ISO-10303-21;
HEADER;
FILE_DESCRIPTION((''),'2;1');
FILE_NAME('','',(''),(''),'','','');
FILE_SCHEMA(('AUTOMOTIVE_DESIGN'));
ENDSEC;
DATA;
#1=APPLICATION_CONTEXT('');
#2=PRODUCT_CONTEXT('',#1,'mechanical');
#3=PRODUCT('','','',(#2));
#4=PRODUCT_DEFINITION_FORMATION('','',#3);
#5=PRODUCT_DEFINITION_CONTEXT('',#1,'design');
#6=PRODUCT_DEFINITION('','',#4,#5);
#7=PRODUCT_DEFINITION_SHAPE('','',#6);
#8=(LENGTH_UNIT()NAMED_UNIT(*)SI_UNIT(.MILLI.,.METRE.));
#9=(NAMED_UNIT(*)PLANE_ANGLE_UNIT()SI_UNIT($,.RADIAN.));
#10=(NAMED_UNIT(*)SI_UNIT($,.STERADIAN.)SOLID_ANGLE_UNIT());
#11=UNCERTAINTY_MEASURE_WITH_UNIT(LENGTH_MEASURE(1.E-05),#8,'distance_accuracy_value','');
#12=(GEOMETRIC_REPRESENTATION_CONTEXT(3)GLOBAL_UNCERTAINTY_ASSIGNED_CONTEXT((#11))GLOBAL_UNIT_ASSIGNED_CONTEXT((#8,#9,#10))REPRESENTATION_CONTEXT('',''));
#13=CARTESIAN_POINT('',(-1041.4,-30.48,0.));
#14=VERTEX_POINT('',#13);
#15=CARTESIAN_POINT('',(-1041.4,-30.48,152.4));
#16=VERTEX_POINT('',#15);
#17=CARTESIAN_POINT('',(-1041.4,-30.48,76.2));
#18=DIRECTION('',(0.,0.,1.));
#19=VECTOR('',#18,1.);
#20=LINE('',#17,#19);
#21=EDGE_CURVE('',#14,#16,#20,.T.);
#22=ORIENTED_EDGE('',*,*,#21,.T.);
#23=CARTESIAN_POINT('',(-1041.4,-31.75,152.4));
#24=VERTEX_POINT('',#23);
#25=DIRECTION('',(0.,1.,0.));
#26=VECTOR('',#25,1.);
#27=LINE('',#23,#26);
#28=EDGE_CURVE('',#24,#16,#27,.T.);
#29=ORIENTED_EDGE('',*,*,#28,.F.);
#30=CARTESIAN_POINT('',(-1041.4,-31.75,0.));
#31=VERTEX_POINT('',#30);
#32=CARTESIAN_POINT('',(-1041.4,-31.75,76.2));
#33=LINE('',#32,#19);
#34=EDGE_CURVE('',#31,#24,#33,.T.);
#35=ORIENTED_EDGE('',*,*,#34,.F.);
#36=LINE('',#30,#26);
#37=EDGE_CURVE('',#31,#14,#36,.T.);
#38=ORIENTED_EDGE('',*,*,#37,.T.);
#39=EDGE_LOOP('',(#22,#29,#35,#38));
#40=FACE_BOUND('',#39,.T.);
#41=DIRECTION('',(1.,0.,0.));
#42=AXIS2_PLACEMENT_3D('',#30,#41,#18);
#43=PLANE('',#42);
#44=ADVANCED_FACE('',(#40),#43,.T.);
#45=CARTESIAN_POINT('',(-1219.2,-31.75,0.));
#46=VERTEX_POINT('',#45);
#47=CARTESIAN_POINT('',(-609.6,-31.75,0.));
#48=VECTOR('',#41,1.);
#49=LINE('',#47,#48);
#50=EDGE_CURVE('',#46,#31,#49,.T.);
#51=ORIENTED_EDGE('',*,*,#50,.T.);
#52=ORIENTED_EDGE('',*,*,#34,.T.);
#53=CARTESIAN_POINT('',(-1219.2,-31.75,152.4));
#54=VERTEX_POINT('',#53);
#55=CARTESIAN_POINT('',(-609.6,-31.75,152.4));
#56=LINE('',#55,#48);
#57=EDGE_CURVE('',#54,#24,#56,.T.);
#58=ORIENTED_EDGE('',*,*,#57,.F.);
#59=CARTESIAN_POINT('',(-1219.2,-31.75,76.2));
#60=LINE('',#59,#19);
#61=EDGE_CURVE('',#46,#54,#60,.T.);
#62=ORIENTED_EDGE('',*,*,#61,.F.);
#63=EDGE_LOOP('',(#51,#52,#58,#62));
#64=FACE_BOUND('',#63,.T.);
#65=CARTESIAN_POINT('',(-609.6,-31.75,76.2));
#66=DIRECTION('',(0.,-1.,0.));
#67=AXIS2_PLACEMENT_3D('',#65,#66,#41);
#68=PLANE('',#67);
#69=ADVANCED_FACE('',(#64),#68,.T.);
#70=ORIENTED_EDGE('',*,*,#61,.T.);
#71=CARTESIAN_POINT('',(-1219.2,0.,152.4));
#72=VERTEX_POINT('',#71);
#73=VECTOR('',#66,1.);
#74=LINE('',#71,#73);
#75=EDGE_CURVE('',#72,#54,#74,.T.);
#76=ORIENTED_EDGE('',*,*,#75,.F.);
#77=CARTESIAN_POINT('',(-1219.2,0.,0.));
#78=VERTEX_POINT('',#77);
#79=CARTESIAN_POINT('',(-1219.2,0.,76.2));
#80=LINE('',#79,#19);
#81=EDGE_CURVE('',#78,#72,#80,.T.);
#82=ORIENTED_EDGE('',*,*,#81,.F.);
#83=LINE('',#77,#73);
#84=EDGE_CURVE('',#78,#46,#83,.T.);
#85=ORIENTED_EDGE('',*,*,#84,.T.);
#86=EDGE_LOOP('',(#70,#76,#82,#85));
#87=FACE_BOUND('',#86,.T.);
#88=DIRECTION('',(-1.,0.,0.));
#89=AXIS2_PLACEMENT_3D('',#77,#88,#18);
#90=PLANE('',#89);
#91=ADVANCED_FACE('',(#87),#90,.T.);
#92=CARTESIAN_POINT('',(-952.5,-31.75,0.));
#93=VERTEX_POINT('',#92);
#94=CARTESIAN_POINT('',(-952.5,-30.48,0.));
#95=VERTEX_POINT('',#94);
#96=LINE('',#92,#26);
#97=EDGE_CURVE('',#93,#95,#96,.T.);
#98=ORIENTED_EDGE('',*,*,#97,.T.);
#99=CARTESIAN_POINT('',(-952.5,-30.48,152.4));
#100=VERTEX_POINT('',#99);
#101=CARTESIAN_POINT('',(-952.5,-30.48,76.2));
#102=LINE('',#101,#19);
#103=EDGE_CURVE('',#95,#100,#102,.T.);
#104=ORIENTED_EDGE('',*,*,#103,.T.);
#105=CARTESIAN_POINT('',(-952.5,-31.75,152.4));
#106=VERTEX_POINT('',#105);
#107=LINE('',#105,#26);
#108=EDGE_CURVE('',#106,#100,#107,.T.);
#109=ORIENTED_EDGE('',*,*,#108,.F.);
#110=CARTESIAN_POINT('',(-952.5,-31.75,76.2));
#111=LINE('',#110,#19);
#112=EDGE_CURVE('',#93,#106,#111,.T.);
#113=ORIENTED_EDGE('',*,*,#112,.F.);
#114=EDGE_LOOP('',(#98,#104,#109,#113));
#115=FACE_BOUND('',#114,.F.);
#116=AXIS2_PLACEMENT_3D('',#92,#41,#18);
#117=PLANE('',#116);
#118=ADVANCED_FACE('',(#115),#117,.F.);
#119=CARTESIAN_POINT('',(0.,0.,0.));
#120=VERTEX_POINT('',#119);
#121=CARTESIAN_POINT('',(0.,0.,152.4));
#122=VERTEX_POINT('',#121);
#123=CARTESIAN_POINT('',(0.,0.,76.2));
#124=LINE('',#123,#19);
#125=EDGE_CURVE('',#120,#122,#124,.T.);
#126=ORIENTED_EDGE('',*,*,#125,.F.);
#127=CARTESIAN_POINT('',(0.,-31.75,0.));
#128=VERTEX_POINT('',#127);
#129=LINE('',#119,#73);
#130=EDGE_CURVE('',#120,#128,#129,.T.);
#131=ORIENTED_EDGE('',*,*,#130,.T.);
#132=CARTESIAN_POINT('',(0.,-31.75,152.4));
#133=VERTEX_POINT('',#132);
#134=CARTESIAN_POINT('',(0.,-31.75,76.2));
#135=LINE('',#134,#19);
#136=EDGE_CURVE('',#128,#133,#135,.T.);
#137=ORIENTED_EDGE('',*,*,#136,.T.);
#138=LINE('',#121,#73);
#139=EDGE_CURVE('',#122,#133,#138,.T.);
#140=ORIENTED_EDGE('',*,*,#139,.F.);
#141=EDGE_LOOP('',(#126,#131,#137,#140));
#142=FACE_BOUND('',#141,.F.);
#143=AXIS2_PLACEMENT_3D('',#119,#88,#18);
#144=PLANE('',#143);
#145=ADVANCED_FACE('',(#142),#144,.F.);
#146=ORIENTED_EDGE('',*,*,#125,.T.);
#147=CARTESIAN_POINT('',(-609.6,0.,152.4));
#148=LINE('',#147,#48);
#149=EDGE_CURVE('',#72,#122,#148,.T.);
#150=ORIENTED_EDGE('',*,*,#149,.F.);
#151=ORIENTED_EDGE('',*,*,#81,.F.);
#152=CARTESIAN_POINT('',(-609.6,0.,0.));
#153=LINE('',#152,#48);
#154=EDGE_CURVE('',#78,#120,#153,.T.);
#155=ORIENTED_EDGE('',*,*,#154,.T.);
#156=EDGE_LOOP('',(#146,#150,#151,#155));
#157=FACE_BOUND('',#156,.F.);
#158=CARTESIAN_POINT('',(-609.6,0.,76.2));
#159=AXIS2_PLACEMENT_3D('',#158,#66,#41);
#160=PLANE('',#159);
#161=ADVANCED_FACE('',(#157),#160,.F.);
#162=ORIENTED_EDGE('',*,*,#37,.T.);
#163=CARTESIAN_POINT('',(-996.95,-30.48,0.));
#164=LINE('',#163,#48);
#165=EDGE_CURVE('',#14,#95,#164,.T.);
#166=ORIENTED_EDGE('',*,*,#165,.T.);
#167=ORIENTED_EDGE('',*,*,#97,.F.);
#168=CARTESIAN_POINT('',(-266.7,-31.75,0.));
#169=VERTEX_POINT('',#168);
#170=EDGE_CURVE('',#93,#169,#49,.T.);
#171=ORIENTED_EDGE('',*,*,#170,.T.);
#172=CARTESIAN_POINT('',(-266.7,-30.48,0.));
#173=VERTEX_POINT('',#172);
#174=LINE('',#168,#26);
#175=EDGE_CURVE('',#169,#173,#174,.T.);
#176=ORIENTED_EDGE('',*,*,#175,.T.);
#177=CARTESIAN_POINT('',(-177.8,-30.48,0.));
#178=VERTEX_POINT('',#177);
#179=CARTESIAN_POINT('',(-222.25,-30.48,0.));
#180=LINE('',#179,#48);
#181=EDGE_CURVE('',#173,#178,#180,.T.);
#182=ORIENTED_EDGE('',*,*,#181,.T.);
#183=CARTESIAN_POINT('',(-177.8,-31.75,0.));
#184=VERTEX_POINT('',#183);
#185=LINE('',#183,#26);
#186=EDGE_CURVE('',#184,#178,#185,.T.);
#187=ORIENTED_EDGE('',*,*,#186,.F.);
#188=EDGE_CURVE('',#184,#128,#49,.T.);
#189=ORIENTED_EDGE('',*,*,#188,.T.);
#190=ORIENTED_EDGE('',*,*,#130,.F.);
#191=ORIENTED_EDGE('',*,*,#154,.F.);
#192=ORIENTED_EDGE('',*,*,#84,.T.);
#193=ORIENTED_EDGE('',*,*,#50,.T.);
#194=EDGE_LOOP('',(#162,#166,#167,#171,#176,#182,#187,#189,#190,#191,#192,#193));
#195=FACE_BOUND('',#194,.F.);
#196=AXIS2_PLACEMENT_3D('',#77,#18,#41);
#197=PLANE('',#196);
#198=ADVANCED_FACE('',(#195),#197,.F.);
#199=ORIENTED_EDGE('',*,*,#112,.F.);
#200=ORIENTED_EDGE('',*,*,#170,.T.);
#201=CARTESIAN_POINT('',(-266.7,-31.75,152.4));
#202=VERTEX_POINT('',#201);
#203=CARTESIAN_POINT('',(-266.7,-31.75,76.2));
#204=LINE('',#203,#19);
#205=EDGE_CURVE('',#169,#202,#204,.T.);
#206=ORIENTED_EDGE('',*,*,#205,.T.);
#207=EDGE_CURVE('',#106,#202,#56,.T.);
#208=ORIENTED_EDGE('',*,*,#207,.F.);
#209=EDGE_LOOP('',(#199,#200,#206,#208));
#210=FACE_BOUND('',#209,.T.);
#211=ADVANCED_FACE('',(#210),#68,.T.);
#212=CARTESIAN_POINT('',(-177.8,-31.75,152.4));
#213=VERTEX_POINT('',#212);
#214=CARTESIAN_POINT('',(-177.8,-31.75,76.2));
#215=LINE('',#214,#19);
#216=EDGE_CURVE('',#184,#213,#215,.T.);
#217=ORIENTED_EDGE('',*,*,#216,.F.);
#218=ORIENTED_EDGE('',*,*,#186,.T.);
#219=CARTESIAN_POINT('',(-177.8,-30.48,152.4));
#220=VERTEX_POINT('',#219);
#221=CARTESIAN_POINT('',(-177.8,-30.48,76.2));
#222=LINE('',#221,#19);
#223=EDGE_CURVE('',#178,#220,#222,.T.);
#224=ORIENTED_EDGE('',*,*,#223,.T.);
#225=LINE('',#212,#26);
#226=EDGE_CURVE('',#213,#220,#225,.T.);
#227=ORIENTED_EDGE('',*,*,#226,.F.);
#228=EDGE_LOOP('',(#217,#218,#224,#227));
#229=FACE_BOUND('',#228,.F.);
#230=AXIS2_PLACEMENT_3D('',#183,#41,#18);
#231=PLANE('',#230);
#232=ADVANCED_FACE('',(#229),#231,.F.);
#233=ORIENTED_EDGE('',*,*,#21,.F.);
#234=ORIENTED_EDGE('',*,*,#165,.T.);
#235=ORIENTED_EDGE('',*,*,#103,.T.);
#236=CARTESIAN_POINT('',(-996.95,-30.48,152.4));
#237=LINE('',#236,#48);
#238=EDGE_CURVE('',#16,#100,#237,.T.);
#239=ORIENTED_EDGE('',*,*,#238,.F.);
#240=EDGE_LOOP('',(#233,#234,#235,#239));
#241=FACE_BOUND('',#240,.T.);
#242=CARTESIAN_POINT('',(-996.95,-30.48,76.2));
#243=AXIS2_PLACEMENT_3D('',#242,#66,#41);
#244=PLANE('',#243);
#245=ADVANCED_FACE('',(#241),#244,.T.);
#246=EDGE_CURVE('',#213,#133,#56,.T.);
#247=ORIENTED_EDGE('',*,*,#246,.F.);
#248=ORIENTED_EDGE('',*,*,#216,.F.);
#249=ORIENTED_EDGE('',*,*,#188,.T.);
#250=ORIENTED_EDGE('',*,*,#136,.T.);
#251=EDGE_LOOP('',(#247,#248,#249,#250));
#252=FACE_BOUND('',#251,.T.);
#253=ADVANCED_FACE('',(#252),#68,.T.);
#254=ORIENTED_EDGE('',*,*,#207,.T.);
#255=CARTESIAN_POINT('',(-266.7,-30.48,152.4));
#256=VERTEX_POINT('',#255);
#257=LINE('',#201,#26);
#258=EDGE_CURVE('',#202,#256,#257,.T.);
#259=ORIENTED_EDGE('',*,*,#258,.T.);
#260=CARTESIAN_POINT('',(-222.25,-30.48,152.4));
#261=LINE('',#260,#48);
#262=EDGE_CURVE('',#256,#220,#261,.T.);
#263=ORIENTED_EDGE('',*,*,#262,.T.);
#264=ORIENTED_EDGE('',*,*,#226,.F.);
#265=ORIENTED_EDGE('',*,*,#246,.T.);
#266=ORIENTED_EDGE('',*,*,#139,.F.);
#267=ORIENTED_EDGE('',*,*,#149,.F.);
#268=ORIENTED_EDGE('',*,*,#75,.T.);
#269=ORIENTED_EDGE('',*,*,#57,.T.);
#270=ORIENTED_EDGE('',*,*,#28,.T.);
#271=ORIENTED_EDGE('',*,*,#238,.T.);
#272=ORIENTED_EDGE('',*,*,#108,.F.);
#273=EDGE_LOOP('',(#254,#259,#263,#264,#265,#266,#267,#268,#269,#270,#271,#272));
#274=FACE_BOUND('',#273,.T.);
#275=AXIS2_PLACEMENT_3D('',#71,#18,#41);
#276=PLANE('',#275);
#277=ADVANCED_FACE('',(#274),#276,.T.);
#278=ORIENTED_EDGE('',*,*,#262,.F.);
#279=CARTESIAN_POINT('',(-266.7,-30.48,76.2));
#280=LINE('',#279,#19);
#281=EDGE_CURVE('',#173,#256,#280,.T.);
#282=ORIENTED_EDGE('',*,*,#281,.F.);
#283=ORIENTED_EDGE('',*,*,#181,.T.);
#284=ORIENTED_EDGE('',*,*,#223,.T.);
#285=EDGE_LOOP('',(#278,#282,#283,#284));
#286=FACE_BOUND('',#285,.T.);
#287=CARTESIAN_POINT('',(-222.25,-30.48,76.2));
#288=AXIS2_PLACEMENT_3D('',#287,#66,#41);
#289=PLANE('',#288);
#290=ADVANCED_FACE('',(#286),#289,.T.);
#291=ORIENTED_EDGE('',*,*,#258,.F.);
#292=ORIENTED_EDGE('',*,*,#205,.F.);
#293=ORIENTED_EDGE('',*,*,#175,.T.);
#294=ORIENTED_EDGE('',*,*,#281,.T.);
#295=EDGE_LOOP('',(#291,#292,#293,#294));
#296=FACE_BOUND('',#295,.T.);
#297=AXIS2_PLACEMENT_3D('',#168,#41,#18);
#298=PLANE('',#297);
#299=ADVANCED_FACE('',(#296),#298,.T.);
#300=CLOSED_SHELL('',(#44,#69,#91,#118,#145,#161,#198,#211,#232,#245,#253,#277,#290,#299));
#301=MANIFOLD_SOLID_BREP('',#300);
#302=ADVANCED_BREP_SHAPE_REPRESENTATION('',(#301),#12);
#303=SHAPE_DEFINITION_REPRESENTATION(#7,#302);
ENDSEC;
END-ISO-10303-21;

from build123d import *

# Parameters (mm, degrees)
F0_W     = 1219.2
F0_H     = 152.4
F1_DEPTH = 31.75
F2_W     = 88.9
F2_H     = 152.4
F3_DEPTH = 1.27
F4_DEPTH = 1.27


with BuildPart() as f1:
    # F0 (on Front) → F1 (new body)
    with BuildSketch(Plane.XZ):
        with Locations((-609.6, 76.2)):
            Rectangle(F0_W, F0_H)
    extrude(amount=F1_DEPTH)

    # F2 (on face) → F3 (cut)
    with BuildSketch(Plane.XZ.offset(31.75)):
        with Locations((-996.95, 76.2)):
            Rectangle(F2_W, F2_H)
    extrude(amount=-F3_DEPTH, mode=Mode.SUBTRACT)

    # F2 (on face) → F4 (cut)
    with BuildSketch(Plane.XZ.offset(31.75)):
        with Locations((-222.25, 76.2)):
            Rectangle(F2_W, F2_H)
    extrude(amount=-F4_DEPTH, mode=Mode.SUBTRACT)


solid = f1.part
